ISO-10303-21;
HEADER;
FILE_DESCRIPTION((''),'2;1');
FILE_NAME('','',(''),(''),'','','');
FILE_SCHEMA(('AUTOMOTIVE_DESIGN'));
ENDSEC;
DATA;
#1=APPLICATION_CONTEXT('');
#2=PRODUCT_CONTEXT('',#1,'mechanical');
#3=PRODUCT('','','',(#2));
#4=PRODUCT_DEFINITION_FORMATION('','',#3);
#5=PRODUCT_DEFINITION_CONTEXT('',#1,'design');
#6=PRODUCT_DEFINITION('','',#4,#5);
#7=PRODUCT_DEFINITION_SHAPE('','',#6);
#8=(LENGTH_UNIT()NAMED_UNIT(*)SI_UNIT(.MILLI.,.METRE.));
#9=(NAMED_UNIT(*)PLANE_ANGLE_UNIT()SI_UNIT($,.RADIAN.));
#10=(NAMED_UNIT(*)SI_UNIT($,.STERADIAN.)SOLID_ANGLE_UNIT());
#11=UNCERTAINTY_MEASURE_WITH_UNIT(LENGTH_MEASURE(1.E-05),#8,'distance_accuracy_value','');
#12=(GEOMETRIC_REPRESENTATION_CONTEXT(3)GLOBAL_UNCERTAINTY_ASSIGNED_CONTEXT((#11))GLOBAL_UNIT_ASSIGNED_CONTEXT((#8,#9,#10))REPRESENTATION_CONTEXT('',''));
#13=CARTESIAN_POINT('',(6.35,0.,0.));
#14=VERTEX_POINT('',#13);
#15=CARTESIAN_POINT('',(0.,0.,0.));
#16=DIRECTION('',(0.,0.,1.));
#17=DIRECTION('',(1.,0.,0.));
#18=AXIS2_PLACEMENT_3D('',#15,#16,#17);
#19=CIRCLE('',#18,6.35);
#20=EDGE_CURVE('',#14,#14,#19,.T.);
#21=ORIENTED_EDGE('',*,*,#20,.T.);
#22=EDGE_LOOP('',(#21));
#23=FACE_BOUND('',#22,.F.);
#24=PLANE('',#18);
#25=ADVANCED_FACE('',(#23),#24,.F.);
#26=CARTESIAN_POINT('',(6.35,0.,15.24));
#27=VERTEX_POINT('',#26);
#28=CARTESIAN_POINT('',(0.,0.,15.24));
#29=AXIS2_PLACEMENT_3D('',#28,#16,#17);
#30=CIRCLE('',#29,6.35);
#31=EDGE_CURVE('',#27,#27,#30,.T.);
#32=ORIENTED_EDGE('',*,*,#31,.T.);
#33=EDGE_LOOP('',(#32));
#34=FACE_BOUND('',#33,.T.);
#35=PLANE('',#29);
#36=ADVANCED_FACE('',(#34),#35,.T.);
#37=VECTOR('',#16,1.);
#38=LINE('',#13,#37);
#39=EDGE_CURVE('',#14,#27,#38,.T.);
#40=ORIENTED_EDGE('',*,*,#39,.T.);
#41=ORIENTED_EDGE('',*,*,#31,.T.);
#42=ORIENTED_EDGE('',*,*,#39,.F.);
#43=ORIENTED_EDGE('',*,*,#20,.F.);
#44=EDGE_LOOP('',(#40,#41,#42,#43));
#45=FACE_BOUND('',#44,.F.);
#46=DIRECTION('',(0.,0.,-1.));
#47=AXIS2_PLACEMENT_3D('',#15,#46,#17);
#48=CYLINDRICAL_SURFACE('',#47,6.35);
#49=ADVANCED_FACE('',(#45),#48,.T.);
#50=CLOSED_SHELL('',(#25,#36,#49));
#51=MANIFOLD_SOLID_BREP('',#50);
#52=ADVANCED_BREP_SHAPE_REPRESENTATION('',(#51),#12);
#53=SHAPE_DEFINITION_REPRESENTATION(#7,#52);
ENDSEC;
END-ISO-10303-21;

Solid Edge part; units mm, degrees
sketch "Sketch1" plane through (0, 0, 0) normal (0, 0, 1) x (1, 0, 0)
  circle A0 centre (0, 0) radius 6.35
extrude "Protrusion1" add sketch "Sketch1" along normal blind 15.24
properties material "Brass, yellow brass"
